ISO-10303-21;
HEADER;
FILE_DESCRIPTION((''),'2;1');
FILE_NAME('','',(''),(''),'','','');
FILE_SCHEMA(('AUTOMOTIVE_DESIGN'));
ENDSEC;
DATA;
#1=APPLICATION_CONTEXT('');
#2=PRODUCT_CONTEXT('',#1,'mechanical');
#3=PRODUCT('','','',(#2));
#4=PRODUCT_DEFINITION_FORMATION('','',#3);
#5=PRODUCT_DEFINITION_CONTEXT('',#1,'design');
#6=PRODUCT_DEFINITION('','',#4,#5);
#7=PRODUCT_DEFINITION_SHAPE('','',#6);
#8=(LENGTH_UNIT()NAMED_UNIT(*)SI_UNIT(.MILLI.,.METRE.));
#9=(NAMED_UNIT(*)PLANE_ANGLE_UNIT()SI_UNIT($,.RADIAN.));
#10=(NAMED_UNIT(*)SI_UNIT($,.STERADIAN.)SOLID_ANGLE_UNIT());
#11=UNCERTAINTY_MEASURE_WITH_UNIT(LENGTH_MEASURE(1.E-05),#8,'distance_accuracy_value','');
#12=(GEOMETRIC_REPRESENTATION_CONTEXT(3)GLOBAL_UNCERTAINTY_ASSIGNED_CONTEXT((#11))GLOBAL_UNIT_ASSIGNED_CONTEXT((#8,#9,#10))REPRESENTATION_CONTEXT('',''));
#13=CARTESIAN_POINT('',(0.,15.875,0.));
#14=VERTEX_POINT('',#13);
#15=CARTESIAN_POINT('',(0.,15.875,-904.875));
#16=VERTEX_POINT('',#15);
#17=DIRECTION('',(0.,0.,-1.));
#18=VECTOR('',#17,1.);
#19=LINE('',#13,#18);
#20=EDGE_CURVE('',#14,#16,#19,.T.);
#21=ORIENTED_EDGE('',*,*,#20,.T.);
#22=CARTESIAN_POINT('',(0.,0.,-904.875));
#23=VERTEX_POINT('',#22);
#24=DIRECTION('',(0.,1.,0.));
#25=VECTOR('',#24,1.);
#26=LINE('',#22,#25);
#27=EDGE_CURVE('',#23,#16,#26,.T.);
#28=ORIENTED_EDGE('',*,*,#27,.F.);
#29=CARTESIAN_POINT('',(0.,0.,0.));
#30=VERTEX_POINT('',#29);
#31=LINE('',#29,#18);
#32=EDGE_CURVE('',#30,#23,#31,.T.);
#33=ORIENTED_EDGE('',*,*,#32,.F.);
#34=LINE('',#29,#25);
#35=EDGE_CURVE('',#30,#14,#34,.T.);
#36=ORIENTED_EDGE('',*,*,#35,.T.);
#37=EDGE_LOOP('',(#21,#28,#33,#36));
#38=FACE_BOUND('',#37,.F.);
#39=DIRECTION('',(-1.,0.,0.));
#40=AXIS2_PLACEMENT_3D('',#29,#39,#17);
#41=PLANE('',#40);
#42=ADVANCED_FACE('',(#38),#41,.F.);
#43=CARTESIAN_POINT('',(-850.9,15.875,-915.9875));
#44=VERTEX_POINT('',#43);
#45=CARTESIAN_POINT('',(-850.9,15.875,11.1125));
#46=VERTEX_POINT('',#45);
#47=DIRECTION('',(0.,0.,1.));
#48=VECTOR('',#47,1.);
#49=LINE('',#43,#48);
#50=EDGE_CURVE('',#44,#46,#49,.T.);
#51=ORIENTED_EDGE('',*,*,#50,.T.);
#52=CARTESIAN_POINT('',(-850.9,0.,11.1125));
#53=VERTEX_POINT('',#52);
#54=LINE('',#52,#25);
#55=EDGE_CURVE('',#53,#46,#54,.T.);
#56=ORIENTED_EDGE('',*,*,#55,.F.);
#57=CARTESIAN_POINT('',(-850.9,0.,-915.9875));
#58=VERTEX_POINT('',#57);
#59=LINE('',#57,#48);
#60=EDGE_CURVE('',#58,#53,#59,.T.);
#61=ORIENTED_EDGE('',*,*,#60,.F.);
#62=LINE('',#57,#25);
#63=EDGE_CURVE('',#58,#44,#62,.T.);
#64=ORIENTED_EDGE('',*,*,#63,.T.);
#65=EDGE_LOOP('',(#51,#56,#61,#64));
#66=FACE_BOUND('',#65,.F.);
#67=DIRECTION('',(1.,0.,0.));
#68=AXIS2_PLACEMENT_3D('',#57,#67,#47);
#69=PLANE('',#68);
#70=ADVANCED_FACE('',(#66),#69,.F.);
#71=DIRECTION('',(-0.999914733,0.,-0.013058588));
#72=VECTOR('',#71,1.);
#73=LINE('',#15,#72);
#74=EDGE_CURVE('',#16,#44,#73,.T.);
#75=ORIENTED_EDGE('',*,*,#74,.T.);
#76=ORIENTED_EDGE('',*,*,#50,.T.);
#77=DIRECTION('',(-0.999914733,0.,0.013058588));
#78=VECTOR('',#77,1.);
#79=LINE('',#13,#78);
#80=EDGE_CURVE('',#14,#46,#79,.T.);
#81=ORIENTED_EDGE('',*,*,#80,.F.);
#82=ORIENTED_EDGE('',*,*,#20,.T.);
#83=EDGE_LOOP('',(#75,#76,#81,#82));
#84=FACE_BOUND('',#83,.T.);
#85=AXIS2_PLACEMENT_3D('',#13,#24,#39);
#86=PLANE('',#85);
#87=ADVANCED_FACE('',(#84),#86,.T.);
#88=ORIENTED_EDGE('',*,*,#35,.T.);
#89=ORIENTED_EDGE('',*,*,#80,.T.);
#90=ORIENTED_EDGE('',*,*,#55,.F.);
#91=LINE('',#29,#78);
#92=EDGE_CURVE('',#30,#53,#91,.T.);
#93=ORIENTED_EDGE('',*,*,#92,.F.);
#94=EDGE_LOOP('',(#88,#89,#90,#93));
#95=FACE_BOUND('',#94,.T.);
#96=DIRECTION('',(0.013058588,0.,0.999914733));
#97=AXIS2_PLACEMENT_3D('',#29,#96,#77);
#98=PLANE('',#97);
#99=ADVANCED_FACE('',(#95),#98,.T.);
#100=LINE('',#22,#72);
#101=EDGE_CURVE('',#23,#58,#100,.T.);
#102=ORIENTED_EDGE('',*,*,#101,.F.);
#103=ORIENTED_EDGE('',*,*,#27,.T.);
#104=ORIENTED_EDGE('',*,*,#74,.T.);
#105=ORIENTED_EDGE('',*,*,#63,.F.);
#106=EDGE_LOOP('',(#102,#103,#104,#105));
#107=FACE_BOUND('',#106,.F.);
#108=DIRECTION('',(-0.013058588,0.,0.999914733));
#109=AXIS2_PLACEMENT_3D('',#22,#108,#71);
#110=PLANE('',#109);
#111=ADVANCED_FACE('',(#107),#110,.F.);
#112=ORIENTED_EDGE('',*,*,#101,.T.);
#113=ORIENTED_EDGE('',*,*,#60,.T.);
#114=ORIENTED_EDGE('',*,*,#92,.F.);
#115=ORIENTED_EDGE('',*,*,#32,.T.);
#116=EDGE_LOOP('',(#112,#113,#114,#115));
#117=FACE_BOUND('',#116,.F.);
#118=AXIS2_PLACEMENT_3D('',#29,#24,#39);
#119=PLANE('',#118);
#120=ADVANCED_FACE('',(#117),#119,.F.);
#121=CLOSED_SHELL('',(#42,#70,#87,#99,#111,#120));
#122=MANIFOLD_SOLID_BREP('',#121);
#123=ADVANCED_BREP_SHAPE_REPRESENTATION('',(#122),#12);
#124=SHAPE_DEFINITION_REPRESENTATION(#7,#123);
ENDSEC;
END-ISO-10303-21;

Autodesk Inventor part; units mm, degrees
ref_plane "YZ Plane" through (0, 0, 0) normal (1, 0, 0) x (0, 1, 0)
ref_plane "XZ Plane" through (0, 0, 0) normal (0, 1, 0) x (-1, 0, 0)
ref_plane "XY Plane" through (0, 0, 0) normal (0, 0, 1) x (1, 0, 0)
sketch "Sketch1" plane through (0, 0, 0) normal (0, 1, 0) x (-1, 0, 0)
  line L0 (0, 0) -> (0, -904.875)
  line L1 (0, 0) -> (850.9, 11.1125)
  line L2 (0, -904.875) -> (850.9, -915.9875)
  line L3 (850.9, -915.9875) -> (850.9, 11.1125)
  line L4 (0, 0) -> (850.9, 0) construction
  line L5 (0, -904.875) -> (850.9, -904.875) construction
  line L6 (425.45, 5.5562) -> (425.45, -910.4313) construction
  dimension "d0" = 904.875
  dimension "d1" = 927.1
  dimension "d2" = 850.9
  dimension "d3" = 425.45
extrude "Extrusion1" add sketch "Sketch1" along normal blind 15.875
properties part number "PlywoodForBed"
